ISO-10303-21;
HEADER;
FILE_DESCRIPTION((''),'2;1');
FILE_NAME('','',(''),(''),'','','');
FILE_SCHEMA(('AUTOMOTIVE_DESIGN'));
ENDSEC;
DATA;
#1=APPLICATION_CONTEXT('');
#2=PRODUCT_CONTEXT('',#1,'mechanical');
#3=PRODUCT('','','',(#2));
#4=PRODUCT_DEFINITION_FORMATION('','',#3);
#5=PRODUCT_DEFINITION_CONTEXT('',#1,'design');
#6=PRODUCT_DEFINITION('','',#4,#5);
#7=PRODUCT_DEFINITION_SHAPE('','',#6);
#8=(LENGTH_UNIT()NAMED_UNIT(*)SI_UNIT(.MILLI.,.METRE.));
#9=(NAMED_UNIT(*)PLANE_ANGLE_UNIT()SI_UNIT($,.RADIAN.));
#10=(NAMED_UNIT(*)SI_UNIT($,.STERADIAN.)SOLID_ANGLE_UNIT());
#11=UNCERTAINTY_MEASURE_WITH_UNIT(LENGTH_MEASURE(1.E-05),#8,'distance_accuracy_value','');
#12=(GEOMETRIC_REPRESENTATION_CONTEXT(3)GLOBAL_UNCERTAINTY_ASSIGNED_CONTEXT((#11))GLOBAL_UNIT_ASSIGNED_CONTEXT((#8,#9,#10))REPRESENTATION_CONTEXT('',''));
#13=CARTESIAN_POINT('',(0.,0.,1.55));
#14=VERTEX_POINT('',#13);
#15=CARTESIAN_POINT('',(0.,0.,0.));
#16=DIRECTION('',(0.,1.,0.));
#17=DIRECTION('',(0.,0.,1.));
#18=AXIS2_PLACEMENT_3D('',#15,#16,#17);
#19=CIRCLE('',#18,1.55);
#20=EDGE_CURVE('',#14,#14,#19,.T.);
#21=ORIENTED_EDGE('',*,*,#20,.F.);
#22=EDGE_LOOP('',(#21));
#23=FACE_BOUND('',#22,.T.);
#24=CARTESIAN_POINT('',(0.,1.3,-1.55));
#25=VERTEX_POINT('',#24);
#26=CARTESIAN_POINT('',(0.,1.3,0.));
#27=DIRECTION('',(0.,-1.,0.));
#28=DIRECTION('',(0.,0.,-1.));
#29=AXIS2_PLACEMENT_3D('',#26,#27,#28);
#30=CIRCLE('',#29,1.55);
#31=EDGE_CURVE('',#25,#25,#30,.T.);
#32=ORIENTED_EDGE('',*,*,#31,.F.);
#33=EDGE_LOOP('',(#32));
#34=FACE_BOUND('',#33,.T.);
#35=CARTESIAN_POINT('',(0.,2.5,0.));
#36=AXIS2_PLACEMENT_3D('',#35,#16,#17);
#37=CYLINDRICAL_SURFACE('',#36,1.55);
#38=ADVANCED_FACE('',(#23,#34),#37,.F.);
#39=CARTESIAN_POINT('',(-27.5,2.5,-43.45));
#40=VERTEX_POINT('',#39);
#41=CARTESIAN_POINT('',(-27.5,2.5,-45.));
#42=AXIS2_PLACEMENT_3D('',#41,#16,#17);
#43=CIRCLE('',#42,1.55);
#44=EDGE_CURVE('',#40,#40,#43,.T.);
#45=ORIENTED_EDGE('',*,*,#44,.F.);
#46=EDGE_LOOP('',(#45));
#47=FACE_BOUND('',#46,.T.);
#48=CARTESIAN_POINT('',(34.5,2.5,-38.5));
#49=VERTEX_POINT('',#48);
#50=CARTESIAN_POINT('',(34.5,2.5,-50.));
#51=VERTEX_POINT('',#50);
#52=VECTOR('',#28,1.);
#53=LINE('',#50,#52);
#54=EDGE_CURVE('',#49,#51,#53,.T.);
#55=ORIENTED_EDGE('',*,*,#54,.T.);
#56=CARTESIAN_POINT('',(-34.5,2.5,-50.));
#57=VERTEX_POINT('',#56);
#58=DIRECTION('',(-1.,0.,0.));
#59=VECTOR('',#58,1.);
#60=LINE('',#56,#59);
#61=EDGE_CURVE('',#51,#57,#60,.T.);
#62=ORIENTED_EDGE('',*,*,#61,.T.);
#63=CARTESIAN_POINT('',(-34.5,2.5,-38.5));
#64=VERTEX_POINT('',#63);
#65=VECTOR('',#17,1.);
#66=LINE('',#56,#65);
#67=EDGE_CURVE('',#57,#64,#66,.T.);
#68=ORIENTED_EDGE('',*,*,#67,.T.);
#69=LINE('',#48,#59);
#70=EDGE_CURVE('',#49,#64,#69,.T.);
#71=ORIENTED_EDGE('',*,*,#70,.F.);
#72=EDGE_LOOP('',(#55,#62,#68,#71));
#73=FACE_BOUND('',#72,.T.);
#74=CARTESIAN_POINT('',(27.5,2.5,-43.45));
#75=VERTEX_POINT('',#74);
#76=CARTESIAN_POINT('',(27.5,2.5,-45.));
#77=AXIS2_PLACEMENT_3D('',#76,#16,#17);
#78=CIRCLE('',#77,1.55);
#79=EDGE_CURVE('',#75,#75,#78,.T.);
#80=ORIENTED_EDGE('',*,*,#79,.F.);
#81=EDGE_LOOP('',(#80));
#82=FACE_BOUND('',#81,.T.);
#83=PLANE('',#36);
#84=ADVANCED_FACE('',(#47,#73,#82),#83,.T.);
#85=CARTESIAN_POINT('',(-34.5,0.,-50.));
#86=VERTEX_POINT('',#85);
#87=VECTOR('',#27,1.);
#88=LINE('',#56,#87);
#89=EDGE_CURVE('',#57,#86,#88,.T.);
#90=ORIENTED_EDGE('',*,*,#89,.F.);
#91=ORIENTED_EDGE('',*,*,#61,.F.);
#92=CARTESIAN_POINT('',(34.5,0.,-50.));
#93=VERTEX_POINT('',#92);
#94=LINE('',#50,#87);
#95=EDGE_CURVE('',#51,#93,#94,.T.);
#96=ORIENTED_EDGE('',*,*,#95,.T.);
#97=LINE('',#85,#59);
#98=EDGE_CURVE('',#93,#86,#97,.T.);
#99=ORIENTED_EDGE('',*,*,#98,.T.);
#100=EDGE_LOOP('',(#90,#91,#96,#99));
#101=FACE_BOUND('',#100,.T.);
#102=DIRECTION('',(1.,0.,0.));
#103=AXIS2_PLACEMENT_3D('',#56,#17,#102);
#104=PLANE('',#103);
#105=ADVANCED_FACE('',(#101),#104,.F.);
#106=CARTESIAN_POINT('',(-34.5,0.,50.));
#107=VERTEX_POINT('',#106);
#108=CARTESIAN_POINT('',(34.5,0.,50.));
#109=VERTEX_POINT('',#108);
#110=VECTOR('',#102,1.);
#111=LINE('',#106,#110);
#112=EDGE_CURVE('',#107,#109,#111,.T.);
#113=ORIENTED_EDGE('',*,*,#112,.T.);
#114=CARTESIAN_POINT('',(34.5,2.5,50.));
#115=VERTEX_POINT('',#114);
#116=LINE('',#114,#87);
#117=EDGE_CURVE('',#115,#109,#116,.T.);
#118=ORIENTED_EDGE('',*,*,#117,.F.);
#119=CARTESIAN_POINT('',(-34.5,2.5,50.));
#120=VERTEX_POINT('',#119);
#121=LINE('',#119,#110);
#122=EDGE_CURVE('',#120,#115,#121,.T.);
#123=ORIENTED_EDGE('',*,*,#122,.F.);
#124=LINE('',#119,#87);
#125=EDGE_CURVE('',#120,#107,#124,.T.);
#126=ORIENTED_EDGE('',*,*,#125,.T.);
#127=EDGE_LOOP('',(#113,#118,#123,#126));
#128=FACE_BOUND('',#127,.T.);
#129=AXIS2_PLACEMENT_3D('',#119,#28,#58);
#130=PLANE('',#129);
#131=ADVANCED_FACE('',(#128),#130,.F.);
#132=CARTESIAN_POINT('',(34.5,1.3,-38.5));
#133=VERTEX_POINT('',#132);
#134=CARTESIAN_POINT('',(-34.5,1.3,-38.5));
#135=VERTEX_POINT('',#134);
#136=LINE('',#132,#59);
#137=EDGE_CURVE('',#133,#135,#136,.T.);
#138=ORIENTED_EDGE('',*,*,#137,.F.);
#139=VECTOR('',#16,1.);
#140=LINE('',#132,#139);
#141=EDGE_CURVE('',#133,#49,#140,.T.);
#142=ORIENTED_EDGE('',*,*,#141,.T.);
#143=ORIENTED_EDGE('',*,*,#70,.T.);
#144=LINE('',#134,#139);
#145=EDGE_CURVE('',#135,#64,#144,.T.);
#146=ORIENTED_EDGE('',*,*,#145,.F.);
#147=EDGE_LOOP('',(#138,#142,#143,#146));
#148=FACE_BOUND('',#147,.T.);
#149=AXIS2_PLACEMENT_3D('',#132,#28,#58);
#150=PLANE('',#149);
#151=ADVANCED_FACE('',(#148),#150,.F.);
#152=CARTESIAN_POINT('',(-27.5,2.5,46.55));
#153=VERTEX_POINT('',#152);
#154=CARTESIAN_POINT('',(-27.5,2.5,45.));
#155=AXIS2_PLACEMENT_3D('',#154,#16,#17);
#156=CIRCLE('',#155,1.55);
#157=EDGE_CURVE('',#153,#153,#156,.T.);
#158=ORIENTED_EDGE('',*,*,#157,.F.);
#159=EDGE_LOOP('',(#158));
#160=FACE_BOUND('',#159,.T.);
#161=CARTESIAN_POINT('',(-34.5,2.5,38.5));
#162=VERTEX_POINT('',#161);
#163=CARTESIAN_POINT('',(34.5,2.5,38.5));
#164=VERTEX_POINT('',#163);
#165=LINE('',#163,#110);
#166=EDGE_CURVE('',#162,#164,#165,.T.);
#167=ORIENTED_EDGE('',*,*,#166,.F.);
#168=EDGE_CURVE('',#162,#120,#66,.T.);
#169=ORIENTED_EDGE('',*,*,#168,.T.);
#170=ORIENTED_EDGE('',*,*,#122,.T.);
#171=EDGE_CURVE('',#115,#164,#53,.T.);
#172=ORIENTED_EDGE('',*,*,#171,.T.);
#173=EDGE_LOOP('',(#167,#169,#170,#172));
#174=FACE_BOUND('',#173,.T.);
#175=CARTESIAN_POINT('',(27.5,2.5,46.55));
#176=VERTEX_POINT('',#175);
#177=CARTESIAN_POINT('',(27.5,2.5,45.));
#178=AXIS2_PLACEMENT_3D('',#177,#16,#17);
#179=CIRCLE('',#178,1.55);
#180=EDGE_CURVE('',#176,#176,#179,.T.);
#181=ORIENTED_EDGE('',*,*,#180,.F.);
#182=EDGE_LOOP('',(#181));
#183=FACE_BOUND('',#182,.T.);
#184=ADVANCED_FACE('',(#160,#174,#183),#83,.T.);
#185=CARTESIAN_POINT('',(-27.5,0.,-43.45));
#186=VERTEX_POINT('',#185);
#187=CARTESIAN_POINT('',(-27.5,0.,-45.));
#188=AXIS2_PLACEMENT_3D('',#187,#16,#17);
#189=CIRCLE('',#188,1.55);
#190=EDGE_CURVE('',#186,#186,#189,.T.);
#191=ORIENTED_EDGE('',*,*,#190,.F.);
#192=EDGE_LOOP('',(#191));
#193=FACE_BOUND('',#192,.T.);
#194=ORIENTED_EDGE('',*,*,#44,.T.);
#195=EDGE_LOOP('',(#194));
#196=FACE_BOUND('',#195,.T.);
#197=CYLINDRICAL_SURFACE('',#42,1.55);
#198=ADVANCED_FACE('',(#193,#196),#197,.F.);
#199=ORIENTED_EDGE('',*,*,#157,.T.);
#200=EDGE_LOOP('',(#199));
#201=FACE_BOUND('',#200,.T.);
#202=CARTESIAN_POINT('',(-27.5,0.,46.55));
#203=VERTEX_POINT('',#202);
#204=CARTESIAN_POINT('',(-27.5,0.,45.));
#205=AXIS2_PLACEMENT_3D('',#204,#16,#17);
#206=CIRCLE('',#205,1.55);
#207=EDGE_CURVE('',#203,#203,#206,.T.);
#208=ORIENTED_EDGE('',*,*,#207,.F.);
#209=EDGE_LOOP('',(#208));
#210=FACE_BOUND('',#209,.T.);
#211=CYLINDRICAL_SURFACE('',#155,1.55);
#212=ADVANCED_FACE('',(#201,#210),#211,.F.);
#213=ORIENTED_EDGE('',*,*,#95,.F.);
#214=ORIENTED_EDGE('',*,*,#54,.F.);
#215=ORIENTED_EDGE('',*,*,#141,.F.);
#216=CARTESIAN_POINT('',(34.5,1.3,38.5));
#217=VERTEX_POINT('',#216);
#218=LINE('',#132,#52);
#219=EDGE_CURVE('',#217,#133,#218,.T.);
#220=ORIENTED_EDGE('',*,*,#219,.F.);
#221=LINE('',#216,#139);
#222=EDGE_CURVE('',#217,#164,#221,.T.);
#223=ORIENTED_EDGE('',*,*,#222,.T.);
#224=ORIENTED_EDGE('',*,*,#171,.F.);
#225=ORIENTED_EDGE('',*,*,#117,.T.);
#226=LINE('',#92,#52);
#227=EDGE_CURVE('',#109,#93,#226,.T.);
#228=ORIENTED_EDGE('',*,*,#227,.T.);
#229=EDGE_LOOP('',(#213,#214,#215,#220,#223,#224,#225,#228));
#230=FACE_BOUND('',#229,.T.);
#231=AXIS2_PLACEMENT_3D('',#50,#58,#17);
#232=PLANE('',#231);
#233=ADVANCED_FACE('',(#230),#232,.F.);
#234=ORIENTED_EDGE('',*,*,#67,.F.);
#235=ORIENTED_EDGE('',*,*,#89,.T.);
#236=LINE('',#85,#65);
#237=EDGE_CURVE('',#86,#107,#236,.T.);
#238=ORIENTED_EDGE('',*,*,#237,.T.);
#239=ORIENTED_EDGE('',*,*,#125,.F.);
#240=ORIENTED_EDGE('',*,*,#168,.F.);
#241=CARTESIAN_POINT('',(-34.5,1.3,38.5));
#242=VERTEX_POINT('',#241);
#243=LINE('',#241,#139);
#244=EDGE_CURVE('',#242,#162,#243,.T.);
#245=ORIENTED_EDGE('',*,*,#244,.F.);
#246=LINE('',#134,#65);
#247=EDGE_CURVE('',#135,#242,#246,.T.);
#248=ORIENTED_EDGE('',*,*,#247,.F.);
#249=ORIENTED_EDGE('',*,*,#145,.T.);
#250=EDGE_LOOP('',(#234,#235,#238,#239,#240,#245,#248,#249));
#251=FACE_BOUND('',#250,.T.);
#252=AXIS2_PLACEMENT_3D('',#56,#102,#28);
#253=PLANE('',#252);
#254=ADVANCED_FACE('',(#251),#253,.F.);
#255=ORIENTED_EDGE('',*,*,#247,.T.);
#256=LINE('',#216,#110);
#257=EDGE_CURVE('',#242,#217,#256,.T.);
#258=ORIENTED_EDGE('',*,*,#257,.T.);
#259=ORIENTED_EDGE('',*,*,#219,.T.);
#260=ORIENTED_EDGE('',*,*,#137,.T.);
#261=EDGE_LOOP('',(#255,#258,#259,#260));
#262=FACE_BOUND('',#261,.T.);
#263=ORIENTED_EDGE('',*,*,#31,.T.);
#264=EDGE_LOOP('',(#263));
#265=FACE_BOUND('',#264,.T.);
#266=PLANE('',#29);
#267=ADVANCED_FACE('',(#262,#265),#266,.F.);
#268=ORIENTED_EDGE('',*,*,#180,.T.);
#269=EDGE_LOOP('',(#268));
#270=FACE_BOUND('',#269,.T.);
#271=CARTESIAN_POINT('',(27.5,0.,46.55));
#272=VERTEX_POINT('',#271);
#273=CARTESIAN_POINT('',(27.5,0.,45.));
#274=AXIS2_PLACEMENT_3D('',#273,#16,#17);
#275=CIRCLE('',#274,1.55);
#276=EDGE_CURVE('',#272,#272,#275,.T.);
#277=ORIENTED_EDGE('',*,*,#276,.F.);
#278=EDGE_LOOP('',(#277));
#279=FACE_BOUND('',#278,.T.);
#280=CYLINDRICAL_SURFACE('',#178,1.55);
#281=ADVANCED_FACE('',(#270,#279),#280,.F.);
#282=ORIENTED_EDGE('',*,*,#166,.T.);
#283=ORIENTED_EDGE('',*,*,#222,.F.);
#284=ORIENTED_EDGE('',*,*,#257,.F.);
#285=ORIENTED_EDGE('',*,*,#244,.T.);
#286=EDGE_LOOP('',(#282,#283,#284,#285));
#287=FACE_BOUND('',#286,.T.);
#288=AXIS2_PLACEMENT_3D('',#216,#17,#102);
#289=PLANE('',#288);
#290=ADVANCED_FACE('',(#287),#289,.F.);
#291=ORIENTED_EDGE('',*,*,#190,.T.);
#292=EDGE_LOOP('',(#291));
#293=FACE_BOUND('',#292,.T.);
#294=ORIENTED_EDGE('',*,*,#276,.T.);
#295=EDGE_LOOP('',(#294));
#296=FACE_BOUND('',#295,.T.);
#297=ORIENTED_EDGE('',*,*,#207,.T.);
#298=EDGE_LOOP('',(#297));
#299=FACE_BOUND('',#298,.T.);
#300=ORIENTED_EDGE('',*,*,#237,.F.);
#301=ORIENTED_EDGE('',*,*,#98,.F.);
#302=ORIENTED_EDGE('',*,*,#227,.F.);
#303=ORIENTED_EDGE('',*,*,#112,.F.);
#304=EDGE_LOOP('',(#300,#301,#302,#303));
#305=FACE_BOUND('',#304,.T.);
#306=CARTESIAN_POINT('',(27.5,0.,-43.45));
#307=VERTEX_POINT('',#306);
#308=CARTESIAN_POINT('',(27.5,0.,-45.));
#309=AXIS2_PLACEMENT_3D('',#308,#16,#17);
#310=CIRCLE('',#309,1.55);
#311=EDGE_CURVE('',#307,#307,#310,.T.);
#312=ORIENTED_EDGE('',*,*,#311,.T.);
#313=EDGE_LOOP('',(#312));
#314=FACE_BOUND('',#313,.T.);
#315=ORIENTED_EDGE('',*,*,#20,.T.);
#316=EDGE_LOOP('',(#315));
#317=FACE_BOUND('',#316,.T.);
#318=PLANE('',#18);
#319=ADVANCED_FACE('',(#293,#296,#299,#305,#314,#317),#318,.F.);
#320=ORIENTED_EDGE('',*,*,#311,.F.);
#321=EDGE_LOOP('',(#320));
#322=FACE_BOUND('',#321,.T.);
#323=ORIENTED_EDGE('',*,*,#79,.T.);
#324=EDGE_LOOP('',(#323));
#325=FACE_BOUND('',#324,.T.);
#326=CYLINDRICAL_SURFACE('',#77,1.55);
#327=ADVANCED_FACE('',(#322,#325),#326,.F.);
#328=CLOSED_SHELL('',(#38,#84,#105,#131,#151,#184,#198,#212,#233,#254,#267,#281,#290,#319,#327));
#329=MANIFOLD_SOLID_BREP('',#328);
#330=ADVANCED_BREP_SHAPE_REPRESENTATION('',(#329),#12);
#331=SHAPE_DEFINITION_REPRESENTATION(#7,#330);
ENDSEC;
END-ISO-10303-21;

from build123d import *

# Parameters (mm, degrees)
SKETCH1_W              = 69
SKETCH1_H              = 100
BOSS_EXTRUDE1_DEPTH    = 2.5
SKETCH2_W              = 69
SKETCH2_H              = 77
CUT_EXTRUDE1_DEPTH     = 1.2
M2_5_CLEARANCE_HOLE1_D = 3.1


with BuildPart() as part:
    # Sketch1 → Boss-Extrude1 (new body)
    with BuildSketch(Plane(origin=(0, 0, 0), x_dir=(1, 0, 0), z_dir=(0, 1, 0))):
        Rectangle(SKETCH1_W, SKETCH1_H)
    extrude(amount=BOSS_EXTRUDE1_DEPTH)

    # Sketch2 → Cut-Extrude1 (cut)
    with BuildSketch(Plane(origin=(0, 2.5, 0), x_dir=(1, 0, 0), z_dir=(0, 1, 0))):
        Rectangle(SKETCH2_W, SKETCH2_H)
    extrude(amount=-CUT_EXTRUDE1_DEPTH, mode=Mode.SUBTRACT)

    # M2.5 Clearance Hole1 (through all)
    with Locations(Plane(origin=(0, 2.5, 0), x_dir=(1, 0, 0), z_dir=(0, 1, 0))):
        with Locations((-27.5, 45), (27.5, 45), (-27.5, -45), (27.5, -45), (0, 0)):
            Hole(M2_5_CLEARANCE_HOLE1_D / 2)


solid = part.part
